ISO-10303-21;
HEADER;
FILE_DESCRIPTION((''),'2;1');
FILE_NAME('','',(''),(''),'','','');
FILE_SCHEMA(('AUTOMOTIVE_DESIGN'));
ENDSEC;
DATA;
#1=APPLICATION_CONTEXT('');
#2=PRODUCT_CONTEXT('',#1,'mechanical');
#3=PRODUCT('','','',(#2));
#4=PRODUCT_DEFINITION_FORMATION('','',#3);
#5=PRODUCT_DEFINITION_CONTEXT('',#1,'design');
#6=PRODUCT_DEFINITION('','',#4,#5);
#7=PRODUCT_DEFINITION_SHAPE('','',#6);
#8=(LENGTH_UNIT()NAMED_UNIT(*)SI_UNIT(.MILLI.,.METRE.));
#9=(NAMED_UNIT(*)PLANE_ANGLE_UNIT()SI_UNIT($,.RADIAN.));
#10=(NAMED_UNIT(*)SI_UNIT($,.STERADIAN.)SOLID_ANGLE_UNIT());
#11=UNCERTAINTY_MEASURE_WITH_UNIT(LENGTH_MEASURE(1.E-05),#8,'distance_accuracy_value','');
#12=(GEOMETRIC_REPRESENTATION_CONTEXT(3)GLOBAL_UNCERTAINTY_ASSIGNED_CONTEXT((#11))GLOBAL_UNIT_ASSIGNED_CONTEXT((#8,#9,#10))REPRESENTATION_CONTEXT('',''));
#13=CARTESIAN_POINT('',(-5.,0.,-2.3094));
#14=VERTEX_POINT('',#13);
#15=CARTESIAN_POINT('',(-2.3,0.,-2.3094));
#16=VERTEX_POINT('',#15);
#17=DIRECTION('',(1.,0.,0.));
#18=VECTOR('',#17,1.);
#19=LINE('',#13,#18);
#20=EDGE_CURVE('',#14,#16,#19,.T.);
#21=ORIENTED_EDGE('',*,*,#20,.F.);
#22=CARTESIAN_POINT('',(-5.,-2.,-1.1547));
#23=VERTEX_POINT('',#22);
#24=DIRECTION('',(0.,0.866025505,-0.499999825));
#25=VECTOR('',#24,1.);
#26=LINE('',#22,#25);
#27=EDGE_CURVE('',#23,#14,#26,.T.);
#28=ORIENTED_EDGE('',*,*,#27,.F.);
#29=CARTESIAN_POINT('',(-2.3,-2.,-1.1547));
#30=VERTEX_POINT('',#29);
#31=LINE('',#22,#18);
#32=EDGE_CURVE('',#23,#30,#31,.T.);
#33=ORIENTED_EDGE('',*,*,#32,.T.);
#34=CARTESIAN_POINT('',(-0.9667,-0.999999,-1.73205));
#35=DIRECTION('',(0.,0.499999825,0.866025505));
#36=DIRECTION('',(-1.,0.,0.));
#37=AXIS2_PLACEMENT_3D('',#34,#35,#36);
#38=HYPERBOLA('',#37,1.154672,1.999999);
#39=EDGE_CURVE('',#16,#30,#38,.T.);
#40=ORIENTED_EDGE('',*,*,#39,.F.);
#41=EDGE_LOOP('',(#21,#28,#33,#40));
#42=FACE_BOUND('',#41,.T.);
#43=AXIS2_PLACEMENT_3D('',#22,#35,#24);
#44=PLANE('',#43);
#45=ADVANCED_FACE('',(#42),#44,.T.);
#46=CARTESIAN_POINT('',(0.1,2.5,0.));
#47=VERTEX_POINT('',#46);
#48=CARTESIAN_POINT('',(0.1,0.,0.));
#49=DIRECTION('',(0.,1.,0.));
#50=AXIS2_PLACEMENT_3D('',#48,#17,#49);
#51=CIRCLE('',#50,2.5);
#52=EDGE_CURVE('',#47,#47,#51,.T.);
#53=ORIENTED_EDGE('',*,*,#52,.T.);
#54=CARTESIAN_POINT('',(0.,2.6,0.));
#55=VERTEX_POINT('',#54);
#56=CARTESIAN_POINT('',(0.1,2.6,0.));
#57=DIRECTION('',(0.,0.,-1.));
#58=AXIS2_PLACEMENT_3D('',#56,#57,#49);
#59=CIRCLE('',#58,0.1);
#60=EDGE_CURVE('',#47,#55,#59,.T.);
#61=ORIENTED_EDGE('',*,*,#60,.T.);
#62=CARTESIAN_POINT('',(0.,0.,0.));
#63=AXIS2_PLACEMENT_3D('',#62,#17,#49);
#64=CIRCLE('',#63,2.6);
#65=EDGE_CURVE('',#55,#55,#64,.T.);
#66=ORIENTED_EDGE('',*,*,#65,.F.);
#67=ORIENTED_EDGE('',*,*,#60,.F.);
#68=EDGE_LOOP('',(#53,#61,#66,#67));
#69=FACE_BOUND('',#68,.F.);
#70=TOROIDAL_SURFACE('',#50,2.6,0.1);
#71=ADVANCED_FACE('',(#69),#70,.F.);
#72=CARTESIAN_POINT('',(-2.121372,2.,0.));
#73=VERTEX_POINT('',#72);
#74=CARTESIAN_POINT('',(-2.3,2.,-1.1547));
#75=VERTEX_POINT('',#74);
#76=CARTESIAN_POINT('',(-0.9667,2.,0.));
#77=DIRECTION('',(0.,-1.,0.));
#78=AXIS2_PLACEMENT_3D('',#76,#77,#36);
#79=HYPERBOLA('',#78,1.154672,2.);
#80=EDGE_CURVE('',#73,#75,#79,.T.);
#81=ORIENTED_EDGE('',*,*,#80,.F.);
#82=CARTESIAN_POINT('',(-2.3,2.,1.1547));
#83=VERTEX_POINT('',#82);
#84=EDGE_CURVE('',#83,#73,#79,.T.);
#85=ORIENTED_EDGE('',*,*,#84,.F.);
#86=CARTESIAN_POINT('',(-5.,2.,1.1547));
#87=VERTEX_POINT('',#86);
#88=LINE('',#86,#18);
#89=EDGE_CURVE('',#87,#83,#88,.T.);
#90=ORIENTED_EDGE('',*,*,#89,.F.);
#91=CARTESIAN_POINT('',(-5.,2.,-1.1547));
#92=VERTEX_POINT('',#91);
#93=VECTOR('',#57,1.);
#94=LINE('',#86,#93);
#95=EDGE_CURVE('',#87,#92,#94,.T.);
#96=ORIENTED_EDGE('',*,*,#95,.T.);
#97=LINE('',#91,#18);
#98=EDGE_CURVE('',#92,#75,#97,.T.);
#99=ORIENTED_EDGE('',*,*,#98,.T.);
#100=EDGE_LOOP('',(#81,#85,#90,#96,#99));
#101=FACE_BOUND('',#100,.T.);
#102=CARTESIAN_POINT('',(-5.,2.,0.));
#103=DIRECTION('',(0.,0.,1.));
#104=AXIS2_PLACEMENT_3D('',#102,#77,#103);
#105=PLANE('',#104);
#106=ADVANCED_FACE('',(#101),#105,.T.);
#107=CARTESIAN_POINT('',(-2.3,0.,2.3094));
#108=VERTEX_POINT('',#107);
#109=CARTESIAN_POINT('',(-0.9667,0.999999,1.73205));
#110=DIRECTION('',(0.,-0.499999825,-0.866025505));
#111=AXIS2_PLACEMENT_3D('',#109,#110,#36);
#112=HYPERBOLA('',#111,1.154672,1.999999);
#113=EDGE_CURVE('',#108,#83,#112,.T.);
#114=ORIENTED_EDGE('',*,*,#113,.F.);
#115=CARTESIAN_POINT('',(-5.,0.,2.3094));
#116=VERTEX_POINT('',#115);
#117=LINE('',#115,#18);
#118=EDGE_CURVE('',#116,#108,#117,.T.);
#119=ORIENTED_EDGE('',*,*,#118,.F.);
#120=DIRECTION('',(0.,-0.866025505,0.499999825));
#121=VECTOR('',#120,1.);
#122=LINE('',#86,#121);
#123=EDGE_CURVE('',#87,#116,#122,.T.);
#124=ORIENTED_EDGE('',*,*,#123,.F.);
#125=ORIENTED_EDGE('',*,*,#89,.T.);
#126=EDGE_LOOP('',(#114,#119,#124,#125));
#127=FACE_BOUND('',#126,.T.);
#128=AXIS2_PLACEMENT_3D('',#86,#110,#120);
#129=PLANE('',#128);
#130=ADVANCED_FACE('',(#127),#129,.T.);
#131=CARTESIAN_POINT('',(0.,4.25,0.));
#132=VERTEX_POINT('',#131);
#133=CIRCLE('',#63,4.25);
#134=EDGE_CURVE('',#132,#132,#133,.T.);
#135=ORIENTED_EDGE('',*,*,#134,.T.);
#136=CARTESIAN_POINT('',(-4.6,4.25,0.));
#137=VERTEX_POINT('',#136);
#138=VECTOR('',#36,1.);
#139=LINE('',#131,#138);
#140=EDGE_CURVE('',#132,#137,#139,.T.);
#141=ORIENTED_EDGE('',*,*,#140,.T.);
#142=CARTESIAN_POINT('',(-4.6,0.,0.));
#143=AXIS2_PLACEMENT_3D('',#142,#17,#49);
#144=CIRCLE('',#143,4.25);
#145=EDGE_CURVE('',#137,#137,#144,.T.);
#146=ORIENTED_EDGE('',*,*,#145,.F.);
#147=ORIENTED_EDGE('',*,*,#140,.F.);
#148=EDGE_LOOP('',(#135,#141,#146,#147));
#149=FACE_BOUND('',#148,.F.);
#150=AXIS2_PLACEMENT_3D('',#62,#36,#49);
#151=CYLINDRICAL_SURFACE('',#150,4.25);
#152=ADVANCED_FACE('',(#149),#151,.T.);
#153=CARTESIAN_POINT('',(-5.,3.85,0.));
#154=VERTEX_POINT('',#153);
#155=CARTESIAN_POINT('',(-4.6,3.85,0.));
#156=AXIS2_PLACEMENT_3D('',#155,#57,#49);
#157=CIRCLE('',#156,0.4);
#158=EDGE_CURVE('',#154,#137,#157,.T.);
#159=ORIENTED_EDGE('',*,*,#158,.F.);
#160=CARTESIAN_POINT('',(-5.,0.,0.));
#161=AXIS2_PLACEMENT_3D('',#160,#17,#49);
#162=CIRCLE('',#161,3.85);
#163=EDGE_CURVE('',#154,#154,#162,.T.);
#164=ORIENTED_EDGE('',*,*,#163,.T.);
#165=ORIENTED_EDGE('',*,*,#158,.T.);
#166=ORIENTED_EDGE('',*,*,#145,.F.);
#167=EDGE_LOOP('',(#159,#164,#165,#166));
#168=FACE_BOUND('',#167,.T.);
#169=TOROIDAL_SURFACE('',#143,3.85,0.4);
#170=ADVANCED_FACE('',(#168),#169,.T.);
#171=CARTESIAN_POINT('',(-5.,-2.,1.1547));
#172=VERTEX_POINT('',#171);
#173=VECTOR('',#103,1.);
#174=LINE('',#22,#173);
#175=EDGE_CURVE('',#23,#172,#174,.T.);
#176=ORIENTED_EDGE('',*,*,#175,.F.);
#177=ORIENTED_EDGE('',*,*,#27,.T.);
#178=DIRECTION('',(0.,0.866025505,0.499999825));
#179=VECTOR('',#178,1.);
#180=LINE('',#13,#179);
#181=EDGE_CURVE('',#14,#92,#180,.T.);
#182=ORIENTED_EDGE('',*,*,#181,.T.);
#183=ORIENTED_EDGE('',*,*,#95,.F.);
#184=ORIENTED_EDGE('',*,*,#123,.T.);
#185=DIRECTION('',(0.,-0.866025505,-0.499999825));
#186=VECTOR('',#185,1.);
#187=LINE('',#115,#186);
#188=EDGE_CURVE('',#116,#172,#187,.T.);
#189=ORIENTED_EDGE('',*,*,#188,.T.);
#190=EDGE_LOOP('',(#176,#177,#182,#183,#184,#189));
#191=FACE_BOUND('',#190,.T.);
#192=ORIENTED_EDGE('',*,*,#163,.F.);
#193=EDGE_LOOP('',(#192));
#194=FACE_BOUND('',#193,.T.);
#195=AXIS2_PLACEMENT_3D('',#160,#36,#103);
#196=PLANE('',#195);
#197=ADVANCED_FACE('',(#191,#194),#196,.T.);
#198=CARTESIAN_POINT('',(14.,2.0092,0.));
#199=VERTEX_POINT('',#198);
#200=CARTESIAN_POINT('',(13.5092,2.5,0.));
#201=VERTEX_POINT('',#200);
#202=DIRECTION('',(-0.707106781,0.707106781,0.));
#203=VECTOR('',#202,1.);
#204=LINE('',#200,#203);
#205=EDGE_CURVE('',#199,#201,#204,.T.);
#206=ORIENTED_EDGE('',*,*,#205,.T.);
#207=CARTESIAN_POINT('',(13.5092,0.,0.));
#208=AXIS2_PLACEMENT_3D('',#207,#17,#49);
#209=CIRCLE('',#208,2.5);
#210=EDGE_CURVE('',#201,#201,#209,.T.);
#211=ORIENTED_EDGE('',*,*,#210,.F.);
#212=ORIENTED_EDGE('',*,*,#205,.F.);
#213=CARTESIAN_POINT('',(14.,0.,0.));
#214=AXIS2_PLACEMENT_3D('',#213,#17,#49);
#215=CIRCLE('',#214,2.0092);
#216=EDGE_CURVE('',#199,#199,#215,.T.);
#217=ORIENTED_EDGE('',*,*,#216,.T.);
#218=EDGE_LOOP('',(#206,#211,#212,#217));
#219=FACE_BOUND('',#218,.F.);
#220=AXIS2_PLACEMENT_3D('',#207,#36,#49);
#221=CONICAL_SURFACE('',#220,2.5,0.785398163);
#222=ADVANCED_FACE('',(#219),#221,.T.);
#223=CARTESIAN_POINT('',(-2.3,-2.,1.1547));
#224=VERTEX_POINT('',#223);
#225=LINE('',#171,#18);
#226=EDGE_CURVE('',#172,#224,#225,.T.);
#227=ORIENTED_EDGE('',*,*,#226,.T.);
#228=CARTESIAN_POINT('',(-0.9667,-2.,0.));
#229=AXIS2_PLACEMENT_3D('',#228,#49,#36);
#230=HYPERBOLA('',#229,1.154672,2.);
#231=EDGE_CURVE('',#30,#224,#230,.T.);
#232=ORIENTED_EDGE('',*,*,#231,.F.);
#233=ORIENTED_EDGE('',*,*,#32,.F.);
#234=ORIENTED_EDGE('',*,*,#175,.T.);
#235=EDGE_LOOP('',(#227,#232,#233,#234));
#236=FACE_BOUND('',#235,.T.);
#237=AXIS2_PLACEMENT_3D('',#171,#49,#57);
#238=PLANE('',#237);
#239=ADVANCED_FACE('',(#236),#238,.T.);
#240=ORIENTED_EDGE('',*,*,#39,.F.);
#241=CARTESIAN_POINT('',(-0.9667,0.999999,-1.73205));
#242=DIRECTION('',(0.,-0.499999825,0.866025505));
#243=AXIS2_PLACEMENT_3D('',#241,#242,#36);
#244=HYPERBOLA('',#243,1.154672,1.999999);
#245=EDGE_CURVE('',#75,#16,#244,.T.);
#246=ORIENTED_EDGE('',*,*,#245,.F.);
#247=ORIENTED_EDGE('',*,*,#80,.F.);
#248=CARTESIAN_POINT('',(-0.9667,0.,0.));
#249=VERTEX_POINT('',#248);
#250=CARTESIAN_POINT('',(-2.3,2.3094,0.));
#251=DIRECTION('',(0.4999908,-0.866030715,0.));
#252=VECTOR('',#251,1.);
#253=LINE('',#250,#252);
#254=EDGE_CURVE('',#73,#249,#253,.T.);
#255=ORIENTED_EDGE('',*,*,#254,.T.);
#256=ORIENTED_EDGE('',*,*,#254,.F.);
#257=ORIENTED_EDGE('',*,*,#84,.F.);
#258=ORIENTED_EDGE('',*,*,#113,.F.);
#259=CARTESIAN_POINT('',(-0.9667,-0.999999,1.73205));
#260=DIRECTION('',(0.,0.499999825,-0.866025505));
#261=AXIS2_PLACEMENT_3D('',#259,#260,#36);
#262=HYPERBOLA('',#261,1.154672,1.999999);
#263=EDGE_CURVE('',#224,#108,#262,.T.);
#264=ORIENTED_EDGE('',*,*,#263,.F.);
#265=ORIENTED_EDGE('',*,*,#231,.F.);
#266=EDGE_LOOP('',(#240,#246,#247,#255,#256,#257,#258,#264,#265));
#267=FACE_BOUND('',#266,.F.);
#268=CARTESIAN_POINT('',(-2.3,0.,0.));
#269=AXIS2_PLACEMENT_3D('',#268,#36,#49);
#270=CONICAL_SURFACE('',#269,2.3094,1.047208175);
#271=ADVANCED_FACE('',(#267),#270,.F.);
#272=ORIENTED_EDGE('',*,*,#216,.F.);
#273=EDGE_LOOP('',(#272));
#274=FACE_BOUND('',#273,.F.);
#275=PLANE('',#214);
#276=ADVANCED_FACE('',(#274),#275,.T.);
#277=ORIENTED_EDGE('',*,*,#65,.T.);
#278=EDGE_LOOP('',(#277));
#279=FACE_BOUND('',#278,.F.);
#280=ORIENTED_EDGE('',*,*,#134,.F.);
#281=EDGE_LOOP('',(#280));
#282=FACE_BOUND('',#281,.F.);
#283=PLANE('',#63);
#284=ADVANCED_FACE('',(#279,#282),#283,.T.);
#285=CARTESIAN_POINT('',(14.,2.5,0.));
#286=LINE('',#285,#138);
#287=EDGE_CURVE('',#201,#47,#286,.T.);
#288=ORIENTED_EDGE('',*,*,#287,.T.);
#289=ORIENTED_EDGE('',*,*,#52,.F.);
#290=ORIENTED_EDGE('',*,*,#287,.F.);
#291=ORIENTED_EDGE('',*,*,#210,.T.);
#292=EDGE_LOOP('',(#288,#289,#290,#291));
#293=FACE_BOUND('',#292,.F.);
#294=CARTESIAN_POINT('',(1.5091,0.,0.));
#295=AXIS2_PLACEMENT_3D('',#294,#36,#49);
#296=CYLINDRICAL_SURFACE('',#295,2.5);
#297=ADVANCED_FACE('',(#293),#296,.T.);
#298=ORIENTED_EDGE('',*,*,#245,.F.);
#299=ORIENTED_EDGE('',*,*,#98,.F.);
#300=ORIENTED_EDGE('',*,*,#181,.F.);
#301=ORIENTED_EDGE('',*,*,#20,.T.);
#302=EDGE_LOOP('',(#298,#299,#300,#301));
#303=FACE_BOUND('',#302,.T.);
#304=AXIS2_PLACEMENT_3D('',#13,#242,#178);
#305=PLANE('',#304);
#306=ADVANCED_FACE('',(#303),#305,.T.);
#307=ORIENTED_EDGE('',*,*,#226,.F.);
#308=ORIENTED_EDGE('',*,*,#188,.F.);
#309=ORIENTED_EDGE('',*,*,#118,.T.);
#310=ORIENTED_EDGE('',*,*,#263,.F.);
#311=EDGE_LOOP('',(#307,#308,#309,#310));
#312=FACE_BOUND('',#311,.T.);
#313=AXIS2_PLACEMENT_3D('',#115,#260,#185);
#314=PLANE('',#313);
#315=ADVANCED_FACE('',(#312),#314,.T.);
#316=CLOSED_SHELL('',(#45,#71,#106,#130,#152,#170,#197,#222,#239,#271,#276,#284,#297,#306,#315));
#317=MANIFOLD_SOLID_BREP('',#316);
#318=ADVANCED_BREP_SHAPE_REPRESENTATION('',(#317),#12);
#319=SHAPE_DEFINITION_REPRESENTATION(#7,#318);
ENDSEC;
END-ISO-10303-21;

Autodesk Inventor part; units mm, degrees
ref_plane "YZ Plane" through (0, 0, 0) normal (1, 0, 0) x (0, 1, 0)
ref_plane "XZ Plane" through (0, 0, 0) normal (0, 1, 0) x (-1, 0, 0)
sketch "Szkic1" plane through (0, 0, 0) normal (0, 0, 1) x (1, 0, 0)
  line L0 (-0.9667, 0) -> (14, 0)
  line L1 (14, 0) -> (14, 2.5)
  line L2 (14, 2.5) -> (2, 2.5)
  line L3 (2, 2.5) -> (1.5091, 2.5)
  line L4 (1.5091, 2.5) -> (0, 2.5)
  line L5 (0, 2.5) -> (0, 4.25)
  line L6 (0, 4.25) -> (-5, 4.25)
  line L7 (-5, 4.25) -> (-5, 2.3094)
  line L8 (-5, 2.3094) -> (-2.3, 2.3094)
  line L9 (-2.3, 2.3094) -> (-0.9667, 0)
  line L10 (-8.8, 0) -> (17.8, 0) projected
  line L11 (0, -0.85) -> (0, 5.1) projected
  line L12 (2, 2.5) -> (0, 2.5) construction
  dimension "d1" = 12
  dimension "d2" = 0.4909
  dimension "d3" = 5
  dimension "d4" = 2.7
  dimension "d5" = 60
  dimension "d6" = 5
  dimension "d7" = 5
  dimension "d8" = 4.6188
  dimension "d9" = 8.5
  dimension "d26" = 14
revolve "Bryła" add sketch "Szkic1" angle 360 about axis through (-0.9667, 0, 0) along (1, 0, 0)
sketch "Szkic2" plane through (-5, 0, 0) normal (-1, 0, 0) x (0, 0, 1)
  circle A0 centre (0, 0) radius 2.3094 projected
  line L0 (0, -5.95) -> (0, 5.95) projected
  line L1 (-5.95, 0) -> (5.95, 0) projected
  line L2 (2.3094, 0) -> (1.1547, -2)
  line L3 (1.1547, -2) -> (-1.1547, -2)
  line L4 (-1.1547, -2) -> (-2.3094, 0)
  line L5 (-2.3094, 0) -> (-1.1547, 2)
  line L6 (-1.1547, 2) -> (1.1547, 2)
  line L7 (1.1547, 2) -> (2.3094, 0)
extrude "Szczelina" add sketch "Szkic2" against normal up to next contours L7 A0 | A0 L2 | L6 L0 A0 | A0 L0 L3 | L0 L6 A0 | A0 L3 L0 | L4 A0 | A0 L5
fillet "Zaokrąglenie1" radius 0.4 1 edges at (-5, -4.25, 0)
thread "Gwint" size "M5x0.8" class "6g" standard "ISO Metric profile" length 12
chamfer "Faza1" distance 0.4908 distance2 0.4908 1 edges at (14, -2.5, 0) measured on face at (14, -0.7741, -0.6858)
ref_plane "Work Plane1" through (29, 0, 0) normal (0, -1, 0) x (1, 0, 0)
fillet "Fillet2" radius 0.1 1 edges at (0, -2.5, 0)
equation "\"d1\" = GEL"
equation "\"d3\" = KOH"
equation "\"d4\" = INTI"
equation "\"d6\" = GD"
equation "\"d7\" = BDM"
equation "\"d8\" = 1.1547 * SW"
equation "\"d9\" = KOD"
equation "\"d26\" = NLG"
equation "\"d30\" = R"
equation "\"d17\" = RR"
equation "\"d13\" = GEL"
equation "\"d15\" = -0.5 * SPD + 0.5 * GD"
equation "\"d16\" = GUL"
equation "\"GD\" = NND"
equation "\"NLG\" = 14"
equation "\"GEL\" = 12"
equation "\"KOD\" = 8.5"
equation "\"KOH\" = NND"
equation "\"INTI\" = 2.7"
equation "\"GAL\" = 0.61345 * PTC"
equation "\"GUL\" = 0.61345 * PTC"
equation "\"BDM\" = NND"
equation "\"SW\" = 4"
equation "\"RR\" = 0.4"
equation "\"SPD\" = NND - 1.2269 * PTC"
equation "\"R\" = 0.1"
equation "\"TOA\" = 30deg"
equation "\"GD1\" = THREADDIA - 1.2269 * PTC"
equation "\"THREADDIA\" = 5"
equation "\"FAWI\" = 45deg"
equation "\"PTC\" = 0.8"
equation "\"NND\" = 5"
equation "\"E0\" = 1.155 * SW"
properties part number "CNS 3932 - M 5 x 14" material "Stal, miękka"
